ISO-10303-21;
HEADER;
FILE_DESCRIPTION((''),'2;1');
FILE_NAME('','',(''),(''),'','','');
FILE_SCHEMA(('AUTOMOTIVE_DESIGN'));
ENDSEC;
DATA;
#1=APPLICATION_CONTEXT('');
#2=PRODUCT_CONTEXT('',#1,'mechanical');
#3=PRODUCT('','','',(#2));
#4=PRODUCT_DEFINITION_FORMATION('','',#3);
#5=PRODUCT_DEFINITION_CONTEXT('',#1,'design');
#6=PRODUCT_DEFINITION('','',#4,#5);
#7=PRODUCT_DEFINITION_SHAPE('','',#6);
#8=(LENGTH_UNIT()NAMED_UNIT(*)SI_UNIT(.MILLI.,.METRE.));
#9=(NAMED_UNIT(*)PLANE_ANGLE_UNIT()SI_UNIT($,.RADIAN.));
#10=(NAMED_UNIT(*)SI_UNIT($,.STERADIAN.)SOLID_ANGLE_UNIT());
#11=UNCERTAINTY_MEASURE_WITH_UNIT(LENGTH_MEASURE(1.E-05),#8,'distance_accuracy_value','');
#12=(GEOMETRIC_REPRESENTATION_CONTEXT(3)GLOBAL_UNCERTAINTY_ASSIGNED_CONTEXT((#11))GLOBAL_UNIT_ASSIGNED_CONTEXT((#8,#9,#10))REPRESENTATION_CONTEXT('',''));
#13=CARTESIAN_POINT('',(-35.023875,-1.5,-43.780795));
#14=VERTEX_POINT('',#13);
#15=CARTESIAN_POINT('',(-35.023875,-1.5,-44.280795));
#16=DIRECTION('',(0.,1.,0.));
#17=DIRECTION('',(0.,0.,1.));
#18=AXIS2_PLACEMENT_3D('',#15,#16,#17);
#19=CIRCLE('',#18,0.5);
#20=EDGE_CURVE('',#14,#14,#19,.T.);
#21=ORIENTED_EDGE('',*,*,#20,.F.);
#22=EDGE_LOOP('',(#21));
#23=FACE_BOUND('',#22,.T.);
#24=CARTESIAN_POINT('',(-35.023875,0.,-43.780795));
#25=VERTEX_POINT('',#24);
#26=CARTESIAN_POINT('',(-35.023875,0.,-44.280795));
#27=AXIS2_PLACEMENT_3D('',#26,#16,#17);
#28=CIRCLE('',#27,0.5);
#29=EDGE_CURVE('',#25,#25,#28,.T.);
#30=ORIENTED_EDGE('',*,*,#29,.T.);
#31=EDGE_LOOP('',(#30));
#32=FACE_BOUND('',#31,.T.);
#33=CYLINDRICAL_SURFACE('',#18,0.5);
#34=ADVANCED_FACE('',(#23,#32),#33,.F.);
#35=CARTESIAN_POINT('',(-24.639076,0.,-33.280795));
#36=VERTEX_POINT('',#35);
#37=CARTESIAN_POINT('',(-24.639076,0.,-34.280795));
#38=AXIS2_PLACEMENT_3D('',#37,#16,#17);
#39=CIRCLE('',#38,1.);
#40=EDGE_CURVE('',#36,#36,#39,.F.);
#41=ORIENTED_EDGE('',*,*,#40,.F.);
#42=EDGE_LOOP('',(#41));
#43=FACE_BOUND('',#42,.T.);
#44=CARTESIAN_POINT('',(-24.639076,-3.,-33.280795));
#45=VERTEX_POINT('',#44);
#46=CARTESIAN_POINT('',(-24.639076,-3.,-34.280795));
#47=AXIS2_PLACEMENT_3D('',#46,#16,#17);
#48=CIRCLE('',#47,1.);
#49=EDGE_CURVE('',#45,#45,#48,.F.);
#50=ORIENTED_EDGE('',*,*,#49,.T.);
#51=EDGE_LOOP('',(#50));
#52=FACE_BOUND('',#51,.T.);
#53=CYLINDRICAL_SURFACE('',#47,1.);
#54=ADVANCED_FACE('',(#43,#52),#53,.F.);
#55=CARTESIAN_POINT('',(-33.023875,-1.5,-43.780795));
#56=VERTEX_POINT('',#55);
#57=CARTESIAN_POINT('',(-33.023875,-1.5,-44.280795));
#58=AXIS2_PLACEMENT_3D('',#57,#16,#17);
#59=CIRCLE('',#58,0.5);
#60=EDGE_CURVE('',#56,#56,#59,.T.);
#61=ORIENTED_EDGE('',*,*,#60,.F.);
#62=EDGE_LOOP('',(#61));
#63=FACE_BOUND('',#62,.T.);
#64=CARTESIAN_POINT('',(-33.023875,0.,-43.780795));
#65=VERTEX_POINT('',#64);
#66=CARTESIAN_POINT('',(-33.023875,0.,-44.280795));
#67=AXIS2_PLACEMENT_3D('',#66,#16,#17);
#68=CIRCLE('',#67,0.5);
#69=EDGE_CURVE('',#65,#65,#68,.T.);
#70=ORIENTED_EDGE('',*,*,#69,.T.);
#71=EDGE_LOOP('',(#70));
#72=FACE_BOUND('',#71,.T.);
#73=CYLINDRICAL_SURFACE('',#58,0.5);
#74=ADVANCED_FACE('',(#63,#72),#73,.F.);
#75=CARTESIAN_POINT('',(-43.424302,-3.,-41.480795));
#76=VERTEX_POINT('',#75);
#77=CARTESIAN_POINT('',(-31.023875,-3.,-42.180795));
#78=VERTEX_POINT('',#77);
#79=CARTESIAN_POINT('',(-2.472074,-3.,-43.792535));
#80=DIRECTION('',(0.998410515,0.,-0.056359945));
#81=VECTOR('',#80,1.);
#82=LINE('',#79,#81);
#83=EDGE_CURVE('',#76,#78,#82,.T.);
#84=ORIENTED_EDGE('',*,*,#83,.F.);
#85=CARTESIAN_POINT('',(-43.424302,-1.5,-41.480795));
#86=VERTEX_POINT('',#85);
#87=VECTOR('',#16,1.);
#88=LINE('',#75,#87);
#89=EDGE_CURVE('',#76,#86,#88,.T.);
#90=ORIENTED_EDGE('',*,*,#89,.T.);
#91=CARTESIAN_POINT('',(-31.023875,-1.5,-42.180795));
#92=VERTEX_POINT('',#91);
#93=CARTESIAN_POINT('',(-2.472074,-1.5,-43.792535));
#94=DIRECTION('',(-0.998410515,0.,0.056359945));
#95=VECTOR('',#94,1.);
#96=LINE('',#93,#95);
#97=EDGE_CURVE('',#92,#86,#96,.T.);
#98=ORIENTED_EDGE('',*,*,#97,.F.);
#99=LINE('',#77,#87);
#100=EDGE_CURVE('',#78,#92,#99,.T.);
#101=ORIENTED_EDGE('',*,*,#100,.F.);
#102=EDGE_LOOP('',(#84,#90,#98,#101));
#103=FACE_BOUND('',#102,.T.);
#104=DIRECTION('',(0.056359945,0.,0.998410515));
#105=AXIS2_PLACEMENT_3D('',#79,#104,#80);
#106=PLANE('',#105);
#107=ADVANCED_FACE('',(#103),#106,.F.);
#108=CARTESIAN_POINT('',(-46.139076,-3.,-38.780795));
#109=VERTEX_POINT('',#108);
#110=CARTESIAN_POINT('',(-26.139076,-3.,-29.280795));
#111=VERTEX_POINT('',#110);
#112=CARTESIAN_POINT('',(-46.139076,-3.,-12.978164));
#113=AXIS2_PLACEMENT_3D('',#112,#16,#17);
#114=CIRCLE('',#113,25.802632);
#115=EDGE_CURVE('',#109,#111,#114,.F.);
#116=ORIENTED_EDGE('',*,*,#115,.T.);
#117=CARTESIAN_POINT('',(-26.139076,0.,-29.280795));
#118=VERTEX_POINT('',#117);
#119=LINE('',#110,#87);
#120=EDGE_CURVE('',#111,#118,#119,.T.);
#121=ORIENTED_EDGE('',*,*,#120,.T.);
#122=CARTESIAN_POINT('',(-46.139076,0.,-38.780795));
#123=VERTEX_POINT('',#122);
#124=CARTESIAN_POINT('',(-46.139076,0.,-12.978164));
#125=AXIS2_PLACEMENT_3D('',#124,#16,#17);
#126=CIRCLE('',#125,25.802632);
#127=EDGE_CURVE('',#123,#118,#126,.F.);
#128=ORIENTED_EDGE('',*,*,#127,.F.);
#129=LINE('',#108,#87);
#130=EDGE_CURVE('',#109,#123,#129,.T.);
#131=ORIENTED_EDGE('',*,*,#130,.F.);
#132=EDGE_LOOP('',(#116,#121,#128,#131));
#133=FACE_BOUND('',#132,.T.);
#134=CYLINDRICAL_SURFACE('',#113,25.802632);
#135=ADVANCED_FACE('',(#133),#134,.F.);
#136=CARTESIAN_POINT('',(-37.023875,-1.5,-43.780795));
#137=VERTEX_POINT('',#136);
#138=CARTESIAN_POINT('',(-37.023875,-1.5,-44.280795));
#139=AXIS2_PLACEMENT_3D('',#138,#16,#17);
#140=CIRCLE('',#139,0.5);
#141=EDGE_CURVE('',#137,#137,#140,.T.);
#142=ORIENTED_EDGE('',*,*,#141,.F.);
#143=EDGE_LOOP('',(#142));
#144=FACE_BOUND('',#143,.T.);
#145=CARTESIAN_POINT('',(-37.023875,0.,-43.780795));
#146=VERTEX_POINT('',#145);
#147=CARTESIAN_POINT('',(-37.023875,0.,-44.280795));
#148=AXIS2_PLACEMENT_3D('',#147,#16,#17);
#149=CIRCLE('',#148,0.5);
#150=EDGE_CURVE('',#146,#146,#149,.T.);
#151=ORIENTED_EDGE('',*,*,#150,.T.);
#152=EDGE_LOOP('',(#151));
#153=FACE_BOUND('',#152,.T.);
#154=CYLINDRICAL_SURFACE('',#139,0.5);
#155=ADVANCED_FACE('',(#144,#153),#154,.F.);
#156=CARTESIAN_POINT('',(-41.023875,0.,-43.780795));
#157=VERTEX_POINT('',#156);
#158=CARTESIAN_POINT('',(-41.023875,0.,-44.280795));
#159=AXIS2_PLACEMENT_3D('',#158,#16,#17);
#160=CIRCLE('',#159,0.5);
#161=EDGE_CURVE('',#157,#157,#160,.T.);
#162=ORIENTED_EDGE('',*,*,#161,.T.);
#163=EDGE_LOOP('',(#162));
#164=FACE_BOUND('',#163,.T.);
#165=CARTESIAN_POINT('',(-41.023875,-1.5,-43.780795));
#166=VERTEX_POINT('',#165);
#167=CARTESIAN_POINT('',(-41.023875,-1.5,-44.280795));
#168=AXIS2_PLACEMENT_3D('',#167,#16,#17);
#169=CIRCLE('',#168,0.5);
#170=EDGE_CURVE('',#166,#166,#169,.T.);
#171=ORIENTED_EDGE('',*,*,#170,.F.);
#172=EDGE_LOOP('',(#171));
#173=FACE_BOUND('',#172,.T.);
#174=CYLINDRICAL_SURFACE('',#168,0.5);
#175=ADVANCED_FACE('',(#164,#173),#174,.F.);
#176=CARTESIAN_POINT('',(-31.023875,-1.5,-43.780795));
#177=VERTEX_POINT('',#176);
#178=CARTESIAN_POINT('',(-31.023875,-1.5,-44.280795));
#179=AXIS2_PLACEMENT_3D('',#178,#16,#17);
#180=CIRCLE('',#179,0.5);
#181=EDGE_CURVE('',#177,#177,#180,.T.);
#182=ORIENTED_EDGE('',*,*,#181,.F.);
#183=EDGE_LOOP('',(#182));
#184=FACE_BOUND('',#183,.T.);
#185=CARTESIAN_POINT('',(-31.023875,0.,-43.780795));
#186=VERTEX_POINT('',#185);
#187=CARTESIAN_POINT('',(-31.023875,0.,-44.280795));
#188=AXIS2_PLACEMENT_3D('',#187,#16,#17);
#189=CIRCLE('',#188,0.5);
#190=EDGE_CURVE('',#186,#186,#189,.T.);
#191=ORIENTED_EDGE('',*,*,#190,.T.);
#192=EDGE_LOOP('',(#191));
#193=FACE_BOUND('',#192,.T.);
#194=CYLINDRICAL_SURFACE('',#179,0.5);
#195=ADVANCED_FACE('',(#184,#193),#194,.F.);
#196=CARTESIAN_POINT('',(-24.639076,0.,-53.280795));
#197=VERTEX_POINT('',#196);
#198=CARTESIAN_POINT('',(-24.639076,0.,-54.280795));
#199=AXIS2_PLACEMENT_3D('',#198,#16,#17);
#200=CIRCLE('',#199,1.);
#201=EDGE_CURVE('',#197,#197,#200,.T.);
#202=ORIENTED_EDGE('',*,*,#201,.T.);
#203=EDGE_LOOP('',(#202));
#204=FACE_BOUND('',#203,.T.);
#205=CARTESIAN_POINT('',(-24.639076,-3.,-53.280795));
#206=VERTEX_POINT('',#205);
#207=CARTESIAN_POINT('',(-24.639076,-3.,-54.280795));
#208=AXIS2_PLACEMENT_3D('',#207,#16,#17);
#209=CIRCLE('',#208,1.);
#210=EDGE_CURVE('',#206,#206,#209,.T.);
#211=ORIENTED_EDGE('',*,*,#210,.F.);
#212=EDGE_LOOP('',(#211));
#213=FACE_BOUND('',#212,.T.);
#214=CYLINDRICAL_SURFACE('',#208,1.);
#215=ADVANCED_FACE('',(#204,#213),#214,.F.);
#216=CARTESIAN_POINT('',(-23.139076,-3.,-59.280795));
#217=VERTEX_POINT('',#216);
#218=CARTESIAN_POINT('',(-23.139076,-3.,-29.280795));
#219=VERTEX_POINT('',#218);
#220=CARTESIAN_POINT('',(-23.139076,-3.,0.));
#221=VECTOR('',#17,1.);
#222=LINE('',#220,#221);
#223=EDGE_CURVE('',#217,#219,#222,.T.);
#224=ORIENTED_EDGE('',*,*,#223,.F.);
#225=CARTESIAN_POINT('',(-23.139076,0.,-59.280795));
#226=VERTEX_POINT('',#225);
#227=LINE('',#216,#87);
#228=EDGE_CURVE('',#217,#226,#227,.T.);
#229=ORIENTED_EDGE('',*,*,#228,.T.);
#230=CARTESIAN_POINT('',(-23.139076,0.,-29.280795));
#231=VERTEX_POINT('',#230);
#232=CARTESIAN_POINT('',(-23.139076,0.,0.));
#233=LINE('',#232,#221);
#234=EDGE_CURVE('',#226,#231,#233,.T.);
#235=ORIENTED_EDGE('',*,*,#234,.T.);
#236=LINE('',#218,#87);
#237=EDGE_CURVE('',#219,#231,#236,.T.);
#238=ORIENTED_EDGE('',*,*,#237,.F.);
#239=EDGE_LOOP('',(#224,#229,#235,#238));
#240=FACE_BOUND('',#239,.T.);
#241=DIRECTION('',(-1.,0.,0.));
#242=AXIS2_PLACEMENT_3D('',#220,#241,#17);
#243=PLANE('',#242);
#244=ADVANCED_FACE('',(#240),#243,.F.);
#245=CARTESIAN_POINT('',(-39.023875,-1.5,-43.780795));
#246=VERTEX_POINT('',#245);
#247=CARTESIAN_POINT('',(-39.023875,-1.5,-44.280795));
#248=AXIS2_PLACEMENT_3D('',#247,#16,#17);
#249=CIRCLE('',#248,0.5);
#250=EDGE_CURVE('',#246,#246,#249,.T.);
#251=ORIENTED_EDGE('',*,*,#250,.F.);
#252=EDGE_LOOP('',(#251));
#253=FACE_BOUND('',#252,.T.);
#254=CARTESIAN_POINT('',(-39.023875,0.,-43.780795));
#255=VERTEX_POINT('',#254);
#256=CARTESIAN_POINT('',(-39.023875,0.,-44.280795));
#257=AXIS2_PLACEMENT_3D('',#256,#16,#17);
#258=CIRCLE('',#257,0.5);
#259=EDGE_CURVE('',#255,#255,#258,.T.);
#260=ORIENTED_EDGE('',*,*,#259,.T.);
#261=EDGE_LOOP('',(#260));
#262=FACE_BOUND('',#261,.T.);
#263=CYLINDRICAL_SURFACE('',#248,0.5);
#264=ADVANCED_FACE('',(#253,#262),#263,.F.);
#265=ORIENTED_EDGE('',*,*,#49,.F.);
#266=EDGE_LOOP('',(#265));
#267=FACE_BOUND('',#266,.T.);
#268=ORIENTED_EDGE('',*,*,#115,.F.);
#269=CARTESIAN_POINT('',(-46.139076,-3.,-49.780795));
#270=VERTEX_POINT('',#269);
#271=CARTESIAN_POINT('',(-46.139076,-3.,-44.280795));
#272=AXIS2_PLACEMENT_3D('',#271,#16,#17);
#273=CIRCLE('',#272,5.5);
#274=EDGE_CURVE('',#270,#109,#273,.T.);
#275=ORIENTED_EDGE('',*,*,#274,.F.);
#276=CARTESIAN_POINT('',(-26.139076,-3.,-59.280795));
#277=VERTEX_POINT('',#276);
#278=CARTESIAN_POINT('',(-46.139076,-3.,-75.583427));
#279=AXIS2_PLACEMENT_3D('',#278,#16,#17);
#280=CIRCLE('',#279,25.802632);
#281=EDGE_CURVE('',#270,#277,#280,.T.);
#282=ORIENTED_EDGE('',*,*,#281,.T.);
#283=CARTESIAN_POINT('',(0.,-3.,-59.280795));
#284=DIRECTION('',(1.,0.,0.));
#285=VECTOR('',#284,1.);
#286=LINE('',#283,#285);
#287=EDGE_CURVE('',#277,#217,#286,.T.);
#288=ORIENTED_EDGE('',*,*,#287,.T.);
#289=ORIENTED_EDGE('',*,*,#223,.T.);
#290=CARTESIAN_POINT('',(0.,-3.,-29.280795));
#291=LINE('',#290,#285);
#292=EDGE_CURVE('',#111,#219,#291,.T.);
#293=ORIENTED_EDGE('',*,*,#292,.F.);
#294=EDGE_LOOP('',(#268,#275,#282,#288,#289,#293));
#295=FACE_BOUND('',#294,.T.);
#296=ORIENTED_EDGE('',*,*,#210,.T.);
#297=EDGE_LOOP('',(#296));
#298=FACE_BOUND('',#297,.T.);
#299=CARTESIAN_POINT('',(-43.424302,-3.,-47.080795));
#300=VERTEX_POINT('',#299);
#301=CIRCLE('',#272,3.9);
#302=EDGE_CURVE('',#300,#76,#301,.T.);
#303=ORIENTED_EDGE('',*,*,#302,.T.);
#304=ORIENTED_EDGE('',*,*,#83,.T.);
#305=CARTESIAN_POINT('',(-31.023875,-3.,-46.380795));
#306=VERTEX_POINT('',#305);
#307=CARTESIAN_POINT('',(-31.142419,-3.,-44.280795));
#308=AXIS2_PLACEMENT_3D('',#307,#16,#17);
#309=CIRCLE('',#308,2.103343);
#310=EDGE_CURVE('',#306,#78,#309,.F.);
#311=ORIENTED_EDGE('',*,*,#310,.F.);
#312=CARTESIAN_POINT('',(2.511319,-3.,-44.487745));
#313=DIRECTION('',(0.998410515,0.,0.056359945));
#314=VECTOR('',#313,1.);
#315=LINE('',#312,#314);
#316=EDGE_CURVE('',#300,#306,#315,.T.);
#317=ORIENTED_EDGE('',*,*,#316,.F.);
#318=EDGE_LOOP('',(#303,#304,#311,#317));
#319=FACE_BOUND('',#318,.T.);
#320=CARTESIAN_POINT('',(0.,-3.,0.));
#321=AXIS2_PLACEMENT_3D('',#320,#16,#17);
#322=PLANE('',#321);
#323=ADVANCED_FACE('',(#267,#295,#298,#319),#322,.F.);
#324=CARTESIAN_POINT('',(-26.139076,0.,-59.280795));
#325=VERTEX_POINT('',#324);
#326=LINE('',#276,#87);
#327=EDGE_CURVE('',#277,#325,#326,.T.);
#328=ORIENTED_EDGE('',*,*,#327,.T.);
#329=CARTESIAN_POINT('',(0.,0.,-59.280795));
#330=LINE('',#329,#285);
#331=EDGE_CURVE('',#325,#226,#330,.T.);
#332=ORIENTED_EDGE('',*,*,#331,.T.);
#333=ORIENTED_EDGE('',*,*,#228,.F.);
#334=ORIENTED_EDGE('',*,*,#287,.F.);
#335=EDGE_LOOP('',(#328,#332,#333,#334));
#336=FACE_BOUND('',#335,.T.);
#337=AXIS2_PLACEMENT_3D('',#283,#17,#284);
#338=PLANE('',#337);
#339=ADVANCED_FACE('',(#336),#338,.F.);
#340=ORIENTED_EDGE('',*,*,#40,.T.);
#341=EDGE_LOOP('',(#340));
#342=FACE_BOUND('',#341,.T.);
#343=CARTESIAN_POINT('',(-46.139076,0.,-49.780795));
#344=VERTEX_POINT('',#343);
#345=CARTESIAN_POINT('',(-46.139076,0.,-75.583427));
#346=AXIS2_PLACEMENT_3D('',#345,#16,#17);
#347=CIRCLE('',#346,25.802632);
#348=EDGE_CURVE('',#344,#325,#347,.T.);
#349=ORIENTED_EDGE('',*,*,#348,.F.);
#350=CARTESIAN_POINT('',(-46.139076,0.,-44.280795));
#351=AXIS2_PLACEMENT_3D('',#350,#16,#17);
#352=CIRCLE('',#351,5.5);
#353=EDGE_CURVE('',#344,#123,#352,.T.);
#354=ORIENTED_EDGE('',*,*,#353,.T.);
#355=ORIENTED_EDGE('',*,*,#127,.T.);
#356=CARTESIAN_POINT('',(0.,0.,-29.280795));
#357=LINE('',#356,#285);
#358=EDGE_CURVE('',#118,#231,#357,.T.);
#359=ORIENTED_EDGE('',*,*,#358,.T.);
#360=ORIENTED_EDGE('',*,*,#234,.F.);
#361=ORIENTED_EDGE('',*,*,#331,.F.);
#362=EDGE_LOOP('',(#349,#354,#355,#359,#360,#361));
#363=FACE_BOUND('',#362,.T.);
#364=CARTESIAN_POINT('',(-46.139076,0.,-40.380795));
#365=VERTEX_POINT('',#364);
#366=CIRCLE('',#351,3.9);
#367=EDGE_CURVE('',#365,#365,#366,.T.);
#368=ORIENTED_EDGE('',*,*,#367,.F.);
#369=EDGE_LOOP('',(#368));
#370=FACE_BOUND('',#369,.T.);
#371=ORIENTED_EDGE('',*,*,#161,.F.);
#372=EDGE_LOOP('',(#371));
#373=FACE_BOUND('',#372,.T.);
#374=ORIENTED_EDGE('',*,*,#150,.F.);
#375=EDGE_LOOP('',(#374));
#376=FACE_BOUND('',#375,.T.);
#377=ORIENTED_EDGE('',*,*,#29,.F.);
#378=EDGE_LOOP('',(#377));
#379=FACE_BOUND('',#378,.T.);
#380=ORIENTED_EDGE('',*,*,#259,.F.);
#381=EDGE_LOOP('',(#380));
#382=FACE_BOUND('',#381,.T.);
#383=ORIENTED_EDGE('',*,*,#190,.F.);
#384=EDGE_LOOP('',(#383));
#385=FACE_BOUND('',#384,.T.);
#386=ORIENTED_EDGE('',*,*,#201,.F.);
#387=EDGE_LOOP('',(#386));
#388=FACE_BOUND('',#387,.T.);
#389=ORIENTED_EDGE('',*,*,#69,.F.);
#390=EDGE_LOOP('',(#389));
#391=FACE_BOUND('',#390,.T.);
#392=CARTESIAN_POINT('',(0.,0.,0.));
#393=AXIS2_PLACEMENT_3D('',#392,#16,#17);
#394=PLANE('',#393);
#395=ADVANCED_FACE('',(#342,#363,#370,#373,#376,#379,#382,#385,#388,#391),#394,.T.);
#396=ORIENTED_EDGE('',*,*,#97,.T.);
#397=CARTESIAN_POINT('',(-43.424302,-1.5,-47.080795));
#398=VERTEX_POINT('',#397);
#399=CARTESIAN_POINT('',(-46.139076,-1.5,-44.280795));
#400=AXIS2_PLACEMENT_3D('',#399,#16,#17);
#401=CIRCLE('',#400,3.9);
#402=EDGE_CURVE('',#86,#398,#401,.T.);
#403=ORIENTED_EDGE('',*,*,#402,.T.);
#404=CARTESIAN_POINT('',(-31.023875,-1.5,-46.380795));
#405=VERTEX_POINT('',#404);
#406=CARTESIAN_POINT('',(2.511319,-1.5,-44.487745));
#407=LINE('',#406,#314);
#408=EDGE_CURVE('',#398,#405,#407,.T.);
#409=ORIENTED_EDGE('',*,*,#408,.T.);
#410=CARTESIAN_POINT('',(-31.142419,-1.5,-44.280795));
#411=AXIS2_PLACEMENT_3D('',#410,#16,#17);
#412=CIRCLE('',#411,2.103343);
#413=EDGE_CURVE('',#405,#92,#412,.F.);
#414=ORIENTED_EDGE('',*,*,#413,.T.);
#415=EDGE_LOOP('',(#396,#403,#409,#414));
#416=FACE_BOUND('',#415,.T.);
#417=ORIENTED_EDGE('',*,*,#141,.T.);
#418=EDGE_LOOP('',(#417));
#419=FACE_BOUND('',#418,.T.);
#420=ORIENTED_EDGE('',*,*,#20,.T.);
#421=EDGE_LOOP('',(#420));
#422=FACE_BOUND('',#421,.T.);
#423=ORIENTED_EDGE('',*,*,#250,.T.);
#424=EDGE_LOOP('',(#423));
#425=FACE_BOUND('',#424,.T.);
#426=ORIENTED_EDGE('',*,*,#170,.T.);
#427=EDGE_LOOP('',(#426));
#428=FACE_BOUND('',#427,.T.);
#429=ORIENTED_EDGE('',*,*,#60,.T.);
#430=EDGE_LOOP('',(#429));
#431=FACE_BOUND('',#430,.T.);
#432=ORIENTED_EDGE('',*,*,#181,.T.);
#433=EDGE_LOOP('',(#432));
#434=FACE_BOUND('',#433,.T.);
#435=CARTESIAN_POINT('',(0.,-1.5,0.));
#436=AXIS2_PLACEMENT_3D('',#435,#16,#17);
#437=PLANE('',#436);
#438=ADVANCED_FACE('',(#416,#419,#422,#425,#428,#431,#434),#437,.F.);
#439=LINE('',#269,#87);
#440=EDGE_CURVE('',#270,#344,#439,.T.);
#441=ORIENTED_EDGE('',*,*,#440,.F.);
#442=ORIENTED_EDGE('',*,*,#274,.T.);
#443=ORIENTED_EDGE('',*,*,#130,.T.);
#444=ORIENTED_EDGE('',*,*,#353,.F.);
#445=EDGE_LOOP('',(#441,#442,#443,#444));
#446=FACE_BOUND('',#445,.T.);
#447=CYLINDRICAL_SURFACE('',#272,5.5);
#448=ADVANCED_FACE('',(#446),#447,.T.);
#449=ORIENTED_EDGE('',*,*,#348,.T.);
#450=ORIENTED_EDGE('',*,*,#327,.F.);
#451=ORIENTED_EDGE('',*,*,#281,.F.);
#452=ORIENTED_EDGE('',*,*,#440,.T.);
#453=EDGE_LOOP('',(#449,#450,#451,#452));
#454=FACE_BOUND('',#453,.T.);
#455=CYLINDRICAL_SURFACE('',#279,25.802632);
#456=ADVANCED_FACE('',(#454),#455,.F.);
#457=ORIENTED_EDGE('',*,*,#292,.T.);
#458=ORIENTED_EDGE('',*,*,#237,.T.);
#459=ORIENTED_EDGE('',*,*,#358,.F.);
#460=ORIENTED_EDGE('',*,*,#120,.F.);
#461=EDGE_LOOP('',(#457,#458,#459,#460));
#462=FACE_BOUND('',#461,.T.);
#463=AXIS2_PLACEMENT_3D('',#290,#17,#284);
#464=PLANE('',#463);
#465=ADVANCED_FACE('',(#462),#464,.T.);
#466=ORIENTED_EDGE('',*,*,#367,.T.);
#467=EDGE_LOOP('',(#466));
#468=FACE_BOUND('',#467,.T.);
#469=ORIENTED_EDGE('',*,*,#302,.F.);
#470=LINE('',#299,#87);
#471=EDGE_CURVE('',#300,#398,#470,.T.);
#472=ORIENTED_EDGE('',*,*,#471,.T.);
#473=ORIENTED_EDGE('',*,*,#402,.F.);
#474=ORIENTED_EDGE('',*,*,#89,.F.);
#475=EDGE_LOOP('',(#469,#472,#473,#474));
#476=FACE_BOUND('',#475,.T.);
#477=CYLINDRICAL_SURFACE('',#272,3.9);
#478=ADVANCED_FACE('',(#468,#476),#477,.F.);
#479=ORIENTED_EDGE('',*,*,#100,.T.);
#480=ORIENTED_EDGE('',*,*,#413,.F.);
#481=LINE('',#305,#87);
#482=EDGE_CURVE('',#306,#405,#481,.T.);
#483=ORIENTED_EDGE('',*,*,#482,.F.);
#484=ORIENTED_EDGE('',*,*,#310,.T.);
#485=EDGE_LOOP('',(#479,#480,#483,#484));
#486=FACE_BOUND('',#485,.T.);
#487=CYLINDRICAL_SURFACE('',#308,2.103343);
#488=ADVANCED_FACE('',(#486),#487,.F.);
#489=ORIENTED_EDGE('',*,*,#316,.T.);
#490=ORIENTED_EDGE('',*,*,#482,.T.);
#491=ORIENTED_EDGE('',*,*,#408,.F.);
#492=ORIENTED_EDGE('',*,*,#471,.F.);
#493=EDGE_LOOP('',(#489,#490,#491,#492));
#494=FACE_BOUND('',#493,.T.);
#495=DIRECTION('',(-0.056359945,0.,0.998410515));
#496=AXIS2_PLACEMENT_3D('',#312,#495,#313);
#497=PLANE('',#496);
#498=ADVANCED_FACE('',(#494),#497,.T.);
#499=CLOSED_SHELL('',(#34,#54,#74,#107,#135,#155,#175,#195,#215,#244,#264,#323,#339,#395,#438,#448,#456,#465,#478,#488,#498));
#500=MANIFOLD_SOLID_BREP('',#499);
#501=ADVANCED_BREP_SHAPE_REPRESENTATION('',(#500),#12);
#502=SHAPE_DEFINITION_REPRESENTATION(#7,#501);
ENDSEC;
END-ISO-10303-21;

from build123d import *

# Parameters (mm, degrees)
SKETCH1_R           = 1
BOSS_EXTRUDE1_DEPTH = 3
SKETCH1_3_R         = 0.5
BOSS_EXTRUDE2_DEPTH = 1.5


with BuildPart() as part:
    # Sketch1 → Boss-Extrude1 (new body)
    with BuildSketch(Plane(origin=(0, 0, 0), x_dir=(1, 0, 0), z_dir=(0, 1, 0))):
        with BuildLine():
            ThreePointArc((-46.139075952, 38.780795182), (-35.068281039, 36.285100261), (-26.139075952, 29.280795182))
            Line((-26.139075952, 29.280795182), (-23.139075952, 29.280795182))
            Line((-23.139075952, 29.280795182), (-23.139075952, 59.280795182))
            Line((-23.139075952, 59.280795182), (-26.139075952, 59.280795182))
            ThreePointArc((-26.139075952, 59.280795182), (-35.068281039, 52.276490103), (-46.139075952, 49.780795182))
            ThreePointArc((-46.139075952, 49.780795182), (-51.639075952, 44.280795182), (-46.139075952, 38.780795182))
        make_face()
        with BuildLine():
            ThreePointArc((-43.42430156, 41.480795182), (-50.039075952, 44.280795182), (-43.42430156, 47.080795182))
            Line((-43.42430156, 47.080795182), (-31.023874876, 46.380795182))
            ThreePointArc((-31.023874876, 46.380795182), (-29.039075952, 44.280795182), (-31.023874876, 42.180795182))
            Line((-31.023874876, 42.180795182), (-43.42430156, 41.480795182))
        make_face(mode=Mode.SUBTRACT)
        with Locations((-24.639075952, 54.280795182)):
            Circle(SKETCH1_R, mode=Mode.SUBTRACT)
        with Locations((-24.639075952, 34.280795182)):
            Circle(SKETCH1_R, mode=Mode.SUBTRACT)
    extrude(amount=-BOSS_EXTRUDE1_DEPTH)

    # Sketch1<3> → Boss-Extrude2 (add)
    with BuildSketch(Plane(origin=(0, 0, 0), x_dir=(1, 0, 0), z_dir=(0, 1, 0))):
        with BuildLine():
            ThreePointArc((-43.42430156, 47.080795182), (-42.239075952, 44.280795182), (-43.42430156, 41.480795182))
            Line((-43.42430156, 41.480795182), (-31.023874876, 42.180795182))
            ThreePointArc((-31.023874876, 42.180795182), (-29.039075952, 44.280795182), (-31.023874876, 46.380795182))
            Line((-31.023874876, 46.380795182), (-43.42430156, 47.080795182))
        make_face()
        with Locations((-41.023874876, 44.280795182)):
            Circle(SKETCH1_3_R, mode=Mode.SUBTRACT)
        with Locations((-33.023874876, 44.280795182)):
            Circle(SKETCH1_3_R, mode=Mode.SUBTRACT)
        with Locations((-31.023874876, 44.280795182)):
            Circle(SKETCH1_3_R, mode=Mode.SUBTRACT)
        with Locations((-39.023874876, 44.280795182)):
            Circle(SKETCH1_3_R, mode=Mode.SUBTRACT)
        with Locations((-37.023874876, 44.280795182)):
            Circle(SKETCH1_3_R, mode=Mode.SUBTRACT)
        with Locations((-35.023874876, 44.280795182)):
            Circle(SKETCH1_3_R, mode=Mode.SUBTRACT)
    extrude(amount=-BOSS_EXTRUDE2_DEPTH)


solid = part.part
